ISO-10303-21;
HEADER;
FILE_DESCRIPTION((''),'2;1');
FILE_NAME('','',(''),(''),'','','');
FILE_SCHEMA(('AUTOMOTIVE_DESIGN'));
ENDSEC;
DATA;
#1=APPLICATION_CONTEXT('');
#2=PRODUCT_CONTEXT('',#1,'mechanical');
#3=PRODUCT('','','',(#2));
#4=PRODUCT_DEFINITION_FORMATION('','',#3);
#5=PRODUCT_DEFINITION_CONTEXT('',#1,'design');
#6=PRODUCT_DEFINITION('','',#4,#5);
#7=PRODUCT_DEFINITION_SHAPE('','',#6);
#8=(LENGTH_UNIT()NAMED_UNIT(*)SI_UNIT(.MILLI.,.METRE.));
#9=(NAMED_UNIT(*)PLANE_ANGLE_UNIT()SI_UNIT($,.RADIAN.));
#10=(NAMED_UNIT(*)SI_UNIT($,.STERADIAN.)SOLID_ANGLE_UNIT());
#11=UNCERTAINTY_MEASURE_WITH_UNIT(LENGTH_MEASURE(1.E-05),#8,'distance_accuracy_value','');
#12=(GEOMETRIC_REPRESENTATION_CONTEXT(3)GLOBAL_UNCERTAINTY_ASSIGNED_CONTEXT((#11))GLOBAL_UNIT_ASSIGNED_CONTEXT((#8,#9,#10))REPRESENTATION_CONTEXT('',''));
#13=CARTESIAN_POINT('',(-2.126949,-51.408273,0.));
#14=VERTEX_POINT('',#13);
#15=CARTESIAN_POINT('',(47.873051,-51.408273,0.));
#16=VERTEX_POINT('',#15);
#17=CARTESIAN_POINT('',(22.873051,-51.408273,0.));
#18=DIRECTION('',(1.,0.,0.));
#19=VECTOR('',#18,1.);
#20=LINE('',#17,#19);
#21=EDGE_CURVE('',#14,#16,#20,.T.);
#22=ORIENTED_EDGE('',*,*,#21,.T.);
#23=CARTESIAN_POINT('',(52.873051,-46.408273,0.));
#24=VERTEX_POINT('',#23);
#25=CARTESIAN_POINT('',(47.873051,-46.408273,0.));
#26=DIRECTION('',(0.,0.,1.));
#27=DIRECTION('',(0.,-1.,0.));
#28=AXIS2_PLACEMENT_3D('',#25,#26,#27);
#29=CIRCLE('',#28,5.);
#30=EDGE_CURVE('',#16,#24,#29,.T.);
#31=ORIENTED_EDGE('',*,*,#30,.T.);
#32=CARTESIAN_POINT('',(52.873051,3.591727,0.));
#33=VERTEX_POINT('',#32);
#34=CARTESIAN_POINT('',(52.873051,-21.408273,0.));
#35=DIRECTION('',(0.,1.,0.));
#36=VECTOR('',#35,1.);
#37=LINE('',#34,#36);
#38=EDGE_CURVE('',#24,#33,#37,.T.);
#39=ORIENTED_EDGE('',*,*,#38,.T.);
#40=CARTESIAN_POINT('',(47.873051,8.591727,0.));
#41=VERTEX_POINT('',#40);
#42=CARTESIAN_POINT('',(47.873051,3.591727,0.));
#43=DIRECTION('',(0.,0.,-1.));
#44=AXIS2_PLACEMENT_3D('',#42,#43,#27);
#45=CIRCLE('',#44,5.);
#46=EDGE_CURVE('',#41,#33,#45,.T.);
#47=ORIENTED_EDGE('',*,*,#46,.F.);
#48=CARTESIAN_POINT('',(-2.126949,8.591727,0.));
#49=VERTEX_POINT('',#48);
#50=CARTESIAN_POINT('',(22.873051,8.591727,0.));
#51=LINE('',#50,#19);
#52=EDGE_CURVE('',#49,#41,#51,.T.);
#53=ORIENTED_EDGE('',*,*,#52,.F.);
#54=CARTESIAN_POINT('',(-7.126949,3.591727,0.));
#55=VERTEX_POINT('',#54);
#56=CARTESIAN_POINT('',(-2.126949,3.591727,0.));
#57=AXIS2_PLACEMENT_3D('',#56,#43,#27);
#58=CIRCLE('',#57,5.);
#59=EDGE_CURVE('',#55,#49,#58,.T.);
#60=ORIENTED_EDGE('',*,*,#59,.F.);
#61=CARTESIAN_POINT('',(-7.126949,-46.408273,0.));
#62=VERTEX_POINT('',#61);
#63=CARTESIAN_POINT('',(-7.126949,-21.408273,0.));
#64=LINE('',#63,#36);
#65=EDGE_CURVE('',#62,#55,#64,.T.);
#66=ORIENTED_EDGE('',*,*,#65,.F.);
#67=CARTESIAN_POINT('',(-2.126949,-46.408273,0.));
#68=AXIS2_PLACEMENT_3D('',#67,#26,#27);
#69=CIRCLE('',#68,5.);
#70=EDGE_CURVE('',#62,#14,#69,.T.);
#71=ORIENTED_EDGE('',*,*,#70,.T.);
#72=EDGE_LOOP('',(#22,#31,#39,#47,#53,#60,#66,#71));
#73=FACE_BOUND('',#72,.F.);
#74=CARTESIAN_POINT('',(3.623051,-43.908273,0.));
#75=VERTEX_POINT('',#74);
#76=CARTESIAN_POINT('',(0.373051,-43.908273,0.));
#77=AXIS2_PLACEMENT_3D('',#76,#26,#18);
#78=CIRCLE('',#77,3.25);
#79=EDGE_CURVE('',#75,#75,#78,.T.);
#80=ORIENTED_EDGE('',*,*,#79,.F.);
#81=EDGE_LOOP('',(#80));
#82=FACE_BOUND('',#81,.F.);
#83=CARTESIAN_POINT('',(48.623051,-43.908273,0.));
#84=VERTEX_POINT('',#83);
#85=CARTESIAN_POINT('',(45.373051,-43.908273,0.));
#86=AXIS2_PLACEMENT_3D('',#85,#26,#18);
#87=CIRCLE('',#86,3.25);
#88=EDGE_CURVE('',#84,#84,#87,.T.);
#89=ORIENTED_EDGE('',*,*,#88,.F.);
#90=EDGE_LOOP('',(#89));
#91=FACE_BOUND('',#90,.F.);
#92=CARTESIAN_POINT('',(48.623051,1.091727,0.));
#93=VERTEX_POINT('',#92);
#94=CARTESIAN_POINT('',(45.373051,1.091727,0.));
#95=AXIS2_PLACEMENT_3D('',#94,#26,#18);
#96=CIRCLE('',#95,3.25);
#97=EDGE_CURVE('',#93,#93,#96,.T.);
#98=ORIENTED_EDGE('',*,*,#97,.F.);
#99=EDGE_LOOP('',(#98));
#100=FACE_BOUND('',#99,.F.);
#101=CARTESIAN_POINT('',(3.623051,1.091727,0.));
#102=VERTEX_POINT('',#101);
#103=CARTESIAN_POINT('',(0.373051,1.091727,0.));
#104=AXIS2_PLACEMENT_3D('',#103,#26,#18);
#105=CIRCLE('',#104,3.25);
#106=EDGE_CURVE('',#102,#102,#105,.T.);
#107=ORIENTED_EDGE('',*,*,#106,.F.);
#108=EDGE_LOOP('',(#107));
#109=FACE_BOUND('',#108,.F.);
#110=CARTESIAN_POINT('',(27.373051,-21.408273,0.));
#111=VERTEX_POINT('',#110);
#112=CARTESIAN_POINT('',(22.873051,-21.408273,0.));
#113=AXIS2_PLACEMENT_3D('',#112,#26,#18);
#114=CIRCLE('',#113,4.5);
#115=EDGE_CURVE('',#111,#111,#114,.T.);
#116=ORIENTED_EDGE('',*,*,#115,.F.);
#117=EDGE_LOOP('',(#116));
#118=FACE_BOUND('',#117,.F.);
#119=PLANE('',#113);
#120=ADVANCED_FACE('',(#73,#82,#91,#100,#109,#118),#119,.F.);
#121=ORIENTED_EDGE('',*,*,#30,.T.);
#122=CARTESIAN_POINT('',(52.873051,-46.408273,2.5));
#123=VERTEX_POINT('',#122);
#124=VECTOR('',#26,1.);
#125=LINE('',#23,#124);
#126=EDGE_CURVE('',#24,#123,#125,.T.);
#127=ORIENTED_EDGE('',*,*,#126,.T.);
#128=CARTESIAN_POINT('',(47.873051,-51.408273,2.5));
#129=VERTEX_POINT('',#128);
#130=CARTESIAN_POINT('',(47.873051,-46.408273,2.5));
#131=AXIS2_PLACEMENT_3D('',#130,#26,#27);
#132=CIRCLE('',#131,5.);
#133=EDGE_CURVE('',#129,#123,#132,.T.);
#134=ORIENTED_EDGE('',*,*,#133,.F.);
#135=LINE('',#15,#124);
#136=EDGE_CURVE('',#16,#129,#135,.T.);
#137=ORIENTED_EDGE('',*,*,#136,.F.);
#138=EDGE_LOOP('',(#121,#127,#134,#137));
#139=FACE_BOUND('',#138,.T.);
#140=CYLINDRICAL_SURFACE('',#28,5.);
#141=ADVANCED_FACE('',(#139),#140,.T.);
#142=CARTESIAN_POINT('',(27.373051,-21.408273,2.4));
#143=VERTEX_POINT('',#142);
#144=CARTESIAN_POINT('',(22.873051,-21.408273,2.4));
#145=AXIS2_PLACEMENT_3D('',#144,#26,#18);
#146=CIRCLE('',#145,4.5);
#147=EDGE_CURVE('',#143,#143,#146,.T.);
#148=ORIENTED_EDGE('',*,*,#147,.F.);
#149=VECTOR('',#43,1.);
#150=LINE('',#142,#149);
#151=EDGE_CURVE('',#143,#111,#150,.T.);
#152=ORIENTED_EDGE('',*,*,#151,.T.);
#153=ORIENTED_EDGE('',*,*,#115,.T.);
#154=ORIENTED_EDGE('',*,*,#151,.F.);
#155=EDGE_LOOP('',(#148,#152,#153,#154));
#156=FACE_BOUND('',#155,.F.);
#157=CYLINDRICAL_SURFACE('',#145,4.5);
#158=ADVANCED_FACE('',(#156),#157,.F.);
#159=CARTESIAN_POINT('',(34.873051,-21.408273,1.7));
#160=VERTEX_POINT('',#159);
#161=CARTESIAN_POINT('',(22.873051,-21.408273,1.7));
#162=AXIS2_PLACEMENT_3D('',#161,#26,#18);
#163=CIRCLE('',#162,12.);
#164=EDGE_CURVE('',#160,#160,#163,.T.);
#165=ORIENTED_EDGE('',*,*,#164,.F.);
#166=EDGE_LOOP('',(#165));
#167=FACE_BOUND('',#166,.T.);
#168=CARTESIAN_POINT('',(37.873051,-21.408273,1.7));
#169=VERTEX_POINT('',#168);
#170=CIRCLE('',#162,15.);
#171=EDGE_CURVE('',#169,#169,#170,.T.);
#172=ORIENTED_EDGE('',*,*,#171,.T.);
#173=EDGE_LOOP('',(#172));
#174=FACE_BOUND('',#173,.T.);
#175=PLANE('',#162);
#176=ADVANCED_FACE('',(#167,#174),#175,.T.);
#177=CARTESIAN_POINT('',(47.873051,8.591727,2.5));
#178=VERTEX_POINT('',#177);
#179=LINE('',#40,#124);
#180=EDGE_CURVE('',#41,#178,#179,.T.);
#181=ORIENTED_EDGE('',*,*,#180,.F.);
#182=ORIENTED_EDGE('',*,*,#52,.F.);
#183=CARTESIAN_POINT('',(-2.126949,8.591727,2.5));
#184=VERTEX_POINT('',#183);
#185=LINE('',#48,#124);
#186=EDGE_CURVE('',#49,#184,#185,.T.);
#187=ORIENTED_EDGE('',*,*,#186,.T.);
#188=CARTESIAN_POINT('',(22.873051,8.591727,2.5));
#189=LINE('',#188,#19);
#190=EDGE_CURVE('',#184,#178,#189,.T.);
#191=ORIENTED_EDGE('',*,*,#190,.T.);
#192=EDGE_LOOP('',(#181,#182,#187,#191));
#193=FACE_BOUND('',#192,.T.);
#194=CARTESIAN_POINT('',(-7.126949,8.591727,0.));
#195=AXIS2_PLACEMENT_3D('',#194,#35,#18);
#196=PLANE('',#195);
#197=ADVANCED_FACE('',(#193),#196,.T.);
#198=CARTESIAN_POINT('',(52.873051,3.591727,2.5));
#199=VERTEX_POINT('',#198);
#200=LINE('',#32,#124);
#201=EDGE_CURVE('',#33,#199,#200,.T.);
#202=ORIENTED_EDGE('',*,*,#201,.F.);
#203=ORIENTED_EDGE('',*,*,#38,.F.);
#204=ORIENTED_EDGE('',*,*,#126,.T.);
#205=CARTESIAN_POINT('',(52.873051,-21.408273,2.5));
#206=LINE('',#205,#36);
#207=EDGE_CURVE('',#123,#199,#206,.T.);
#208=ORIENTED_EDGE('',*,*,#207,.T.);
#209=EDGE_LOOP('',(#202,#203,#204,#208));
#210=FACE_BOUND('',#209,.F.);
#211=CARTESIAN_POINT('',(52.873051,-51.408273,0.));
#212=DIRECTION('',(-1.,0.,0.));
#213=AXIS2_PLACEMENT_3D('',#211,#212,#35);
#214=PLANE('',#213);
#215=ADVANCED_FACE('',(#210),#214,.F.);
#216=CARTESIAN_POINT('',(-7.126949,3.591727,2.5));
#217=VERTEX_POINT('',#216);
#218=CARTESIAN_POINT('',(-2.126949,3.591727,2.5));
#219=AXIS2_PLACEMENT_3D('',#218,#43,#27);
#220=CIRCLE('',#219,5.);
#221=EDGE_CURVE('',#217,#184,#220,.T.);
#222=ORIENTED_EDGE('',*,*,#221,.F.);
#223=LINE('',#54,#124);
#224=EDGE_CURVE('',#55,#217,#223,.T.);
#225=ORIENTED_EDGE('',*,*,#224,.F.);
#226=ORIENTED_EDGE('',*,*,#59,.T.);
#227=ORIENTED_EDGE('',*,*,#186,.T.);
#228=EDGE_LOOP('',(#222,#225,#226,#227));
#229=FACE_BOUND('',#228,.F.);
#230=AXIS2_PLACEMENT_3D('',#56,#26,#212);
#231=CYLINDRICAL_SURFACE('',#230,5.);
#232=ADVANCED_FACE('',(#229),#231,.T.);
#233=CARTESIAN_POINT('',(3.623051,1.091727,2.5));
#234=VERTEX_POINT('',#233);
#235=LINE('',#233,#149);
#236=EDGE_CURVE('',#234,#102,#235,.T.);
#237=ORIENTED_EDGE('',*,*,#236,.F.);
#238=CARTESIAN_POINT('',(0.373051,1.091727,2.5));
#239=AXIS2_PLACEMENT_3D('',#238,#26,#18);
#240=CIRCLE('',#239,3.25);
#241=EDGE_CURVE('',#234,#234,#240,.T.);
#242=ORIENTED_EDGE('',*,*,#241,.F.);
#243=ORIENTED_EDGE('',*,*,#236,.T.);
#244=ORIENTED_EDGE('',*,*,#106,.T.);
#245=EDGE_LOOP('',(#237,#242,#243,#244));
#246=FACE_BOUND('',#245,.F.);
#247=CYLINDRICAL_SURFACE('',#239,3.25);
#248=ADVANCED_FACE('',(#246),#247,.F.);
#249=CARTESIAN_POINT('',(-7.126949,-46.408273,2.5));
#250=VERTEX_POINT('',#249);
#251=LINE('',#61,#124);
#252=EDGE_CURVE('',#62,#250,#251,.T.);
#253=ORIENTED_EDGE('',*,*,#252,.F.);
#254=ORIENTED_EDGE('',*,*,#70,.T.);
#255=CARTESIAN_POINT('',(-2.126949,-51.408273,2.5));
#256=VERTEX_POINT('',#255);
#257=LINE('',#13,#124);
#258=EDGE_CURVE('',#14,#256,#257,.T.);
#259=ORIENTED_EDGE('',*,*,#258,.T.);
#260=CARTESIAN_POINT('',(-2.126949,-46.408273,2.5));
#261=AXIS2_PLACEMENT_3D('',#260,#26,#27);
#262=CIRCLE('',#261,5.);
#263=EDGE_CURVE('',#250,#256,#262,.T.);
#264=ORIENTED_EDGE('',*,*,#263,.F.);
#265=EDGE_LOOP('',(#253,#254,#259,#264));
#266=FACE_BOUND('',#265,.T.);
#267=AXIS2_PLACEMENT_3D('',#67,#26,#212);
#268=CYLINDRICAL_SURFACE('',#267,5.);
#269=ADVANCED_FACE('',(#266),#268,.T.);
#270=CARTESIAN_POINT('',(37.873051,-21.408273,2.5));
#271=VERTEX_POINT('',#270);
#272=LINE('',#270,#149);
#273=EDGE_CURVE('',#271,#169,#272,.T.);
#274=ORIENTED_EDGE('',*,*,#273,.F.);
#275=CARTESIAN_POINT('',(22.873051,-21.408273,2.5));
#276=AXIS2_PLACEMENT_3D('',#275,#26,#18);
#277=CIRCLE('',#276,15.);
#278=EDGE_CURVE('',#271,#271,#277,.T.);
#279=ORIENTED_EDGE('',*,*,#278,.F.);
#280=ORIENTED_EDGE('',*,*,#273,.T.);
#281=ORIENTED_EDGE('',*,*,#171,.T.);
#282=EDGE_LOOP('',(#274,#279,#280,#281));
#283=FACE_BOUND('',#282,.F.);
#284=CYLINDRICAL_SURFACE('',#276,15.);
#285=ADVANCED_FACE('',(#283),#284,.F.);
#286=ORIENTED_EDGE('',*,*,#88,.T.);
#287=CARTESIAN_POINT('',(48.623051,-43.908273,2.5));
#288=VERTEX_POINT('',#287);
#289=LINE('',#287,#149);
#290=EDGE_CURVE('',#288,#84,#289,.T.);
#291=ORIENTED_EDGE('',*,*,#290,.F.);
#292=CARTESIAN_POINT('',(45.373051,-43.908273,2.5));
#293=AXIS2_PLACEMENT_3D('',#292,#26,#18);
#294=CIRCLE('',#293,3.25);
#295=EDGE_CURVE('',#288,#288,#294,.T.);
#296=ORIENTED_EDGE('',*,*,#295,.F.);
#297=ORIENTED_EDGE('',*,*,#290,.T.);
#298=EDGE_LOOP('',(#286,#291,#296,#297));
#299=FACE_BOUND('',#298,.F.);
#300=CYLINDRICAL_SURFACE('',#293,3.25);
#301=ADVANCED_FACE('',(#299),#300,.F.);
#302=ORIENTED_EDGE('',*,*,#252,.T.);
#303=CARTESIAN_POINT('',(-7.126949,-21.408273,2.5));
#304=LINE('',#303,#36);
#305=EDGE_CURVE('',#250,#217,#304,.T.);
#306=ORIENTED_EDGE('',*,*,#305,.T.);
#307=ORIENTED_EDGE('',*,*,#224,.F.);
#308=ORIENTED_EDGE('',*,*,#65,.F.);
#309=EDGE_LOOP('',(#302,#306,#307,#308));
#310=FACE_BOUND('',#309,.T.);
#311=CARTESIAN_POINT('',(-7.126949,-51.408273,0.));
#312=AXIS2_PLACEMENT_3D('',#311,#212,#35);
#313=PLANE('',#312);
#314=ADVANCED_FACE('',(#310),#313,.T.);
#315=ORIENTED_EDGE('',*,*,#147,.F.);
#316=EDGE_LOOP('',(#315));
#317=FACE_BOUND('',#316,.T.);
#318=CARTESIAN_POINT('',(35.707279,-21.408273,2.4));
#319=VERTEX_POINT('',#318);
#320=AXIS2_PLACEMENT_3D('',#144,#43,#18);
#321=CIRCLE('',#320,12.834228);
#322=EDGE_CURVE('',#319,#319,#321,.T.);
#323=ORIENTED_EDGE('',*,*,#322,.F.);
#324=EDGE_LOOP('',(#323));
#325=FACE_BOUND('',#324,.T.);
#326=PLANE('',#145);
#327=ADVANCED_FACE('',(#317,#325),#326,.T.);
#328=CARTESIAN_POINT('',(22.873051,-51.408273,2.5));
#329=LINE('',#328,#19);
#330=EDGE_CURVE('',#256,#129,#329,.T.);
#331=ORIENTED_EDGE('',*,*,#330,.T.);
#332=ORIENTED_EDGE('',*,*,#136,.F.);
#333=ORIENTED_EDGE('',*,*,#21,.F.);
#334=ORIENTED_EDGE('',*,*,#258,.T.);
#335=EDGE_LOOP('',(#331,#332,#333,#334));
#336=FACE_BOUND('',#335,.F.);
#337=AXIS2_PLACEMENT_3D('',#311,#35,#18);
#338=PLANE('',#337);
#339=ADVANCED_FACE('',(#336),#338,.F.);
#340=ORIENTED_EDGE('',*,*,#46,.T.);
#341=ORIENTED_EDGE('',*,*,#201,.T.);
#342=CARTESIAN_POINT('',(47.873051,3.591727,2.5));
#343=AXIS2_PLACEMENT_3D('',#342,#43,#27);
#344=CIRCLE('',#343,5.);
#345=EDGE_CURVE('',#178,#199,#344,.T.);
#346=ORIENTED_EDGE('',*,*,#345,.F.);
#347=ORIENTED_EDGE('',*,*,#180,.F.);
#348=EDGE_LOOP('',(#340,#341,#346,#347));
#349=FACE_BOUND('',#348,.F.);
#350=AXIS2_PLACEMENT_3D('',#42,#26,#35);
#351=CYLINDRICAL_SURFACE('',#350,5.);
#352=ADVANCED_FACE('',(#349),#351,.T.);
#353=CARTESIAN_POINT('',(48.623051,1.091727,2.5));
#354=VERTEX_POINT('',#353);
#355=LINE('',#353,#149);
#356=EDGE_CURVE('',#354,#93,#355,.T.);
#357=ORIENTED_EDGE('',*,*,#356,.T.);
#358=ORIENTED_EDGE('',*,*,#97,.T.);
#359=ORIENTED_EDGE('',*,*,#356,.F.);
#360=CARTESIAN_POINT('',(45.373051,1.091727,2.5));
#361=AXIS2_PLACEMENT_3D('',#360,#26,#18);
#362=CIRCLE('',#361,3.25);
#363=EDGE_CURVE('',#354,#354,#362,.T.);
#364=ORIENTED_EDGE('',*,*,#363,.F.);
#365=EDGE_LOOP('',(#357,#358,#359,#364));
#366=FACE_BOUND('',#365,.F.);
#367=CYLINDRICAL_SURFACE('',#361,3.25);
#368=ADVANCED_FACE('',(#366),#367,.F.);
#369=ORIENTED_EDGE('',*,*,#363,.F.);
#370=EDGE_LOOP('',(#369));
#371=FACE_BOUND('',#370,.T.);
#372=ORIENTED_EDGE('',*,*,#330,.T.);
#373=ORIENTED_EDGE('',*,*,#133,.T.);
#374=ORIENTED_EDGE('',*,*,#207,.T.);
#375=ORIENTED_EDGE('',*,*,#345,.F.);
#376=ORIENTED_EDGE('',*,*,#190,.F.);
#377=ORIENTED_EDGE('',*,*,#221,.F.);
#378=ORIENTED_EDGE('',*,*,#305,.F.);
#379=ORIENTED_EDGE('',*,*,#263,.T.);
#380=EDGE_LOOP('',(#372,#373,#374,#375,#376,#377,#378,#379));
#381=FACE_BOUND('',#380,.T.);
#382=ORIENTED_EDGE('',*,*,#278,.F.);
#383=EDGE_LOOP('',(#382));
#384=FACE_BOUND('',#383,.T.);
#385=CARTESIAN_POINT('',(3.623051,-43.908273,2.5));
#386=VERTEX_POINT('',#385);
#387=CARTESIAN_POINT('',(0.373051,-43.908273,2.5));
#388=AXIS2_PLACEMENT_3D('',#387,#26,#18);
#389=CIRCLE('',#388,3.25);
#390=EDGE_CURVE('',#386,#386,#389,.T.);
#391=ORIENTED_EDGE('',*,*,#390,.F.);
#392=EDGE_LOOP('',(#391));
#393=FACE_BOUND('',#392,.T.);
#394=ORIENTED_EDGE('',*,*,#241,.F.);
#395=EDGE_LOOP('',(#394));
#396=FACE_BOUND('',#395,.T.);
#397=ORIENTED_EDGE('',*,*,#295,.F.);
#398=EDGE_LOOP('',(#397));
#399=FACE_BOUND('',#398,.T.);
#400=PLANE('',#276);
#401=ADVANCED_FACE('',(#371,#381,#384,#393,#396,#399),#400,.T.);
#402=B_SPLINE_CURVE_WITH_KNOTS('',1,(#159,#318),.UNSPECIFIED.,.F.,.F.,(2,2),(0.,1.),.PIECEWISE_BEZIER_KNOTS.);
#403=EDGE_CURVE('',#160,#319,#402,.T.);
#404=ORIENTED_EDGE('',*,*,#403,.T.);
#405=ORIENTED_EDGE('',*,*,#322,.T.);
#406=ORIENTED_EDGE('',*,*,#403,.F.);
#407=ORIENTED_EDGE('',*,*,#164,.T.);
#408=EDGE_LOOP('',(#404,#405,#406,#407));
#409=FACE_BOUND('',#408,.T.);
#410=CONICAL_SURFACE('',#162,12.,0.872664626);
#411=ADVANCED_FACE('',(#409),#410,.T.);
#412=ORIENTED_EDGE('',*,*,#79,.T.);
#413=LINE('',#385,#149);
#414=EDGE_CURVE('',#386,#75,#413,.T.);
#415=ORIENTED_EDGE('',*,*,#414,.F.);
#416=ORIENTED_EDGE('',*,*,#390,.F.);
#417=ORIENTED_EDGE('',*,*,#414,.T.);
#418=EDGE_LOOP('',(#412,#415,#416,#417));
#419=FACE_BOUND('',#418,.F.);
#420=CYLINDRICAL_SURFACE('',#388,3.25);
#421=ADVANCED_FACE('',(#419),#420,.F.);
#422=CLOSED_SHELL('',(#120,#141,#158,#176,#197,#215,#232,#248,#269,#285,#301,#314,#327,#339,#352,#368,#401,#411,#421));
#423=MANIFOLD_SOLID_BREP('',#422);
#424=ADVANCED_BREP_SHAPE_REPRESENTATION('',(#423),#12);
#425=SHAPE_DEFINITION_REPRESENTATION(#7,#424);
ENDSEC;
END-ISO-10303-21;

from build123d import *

# Parameters (mm, degrees)
F0_W     = 60
F0_H     = 60
F1_DEPTH = 2.5
F2_R     = 3.25
F3_DEPTH = 25
F4_R     = 15
F5_DEPTH = 0.8
F6_R     = 12
F7_DEPTH = 0.7
F7_TAPER = -50
F8_R     = 4.5
F9_DEPTH = 25
F10_R    = 5


with BuildPart() as f1:
    # F0 (on Top) → F1 (new body)
    with BuildSketch(Plane.XY):
        with Locations((22.8730514646, -21.4082733154)):
            Rectangle(F0_W, F0_H)
    extrude(amount=F1_DEPTH)

    # F2 (on face) → F3 (cut)
    with BuildSketch(Plane.XY.offset(2.5)):
        with Locations((0.3730514646, 1.0917266846)):
            Circle(F2_R)
        with Locations((45.3730514646, 1.0917266846)):
            Circle(F2_R)
        with Locations((45.3730514646, -43.9082733154)):
            Circle(F2_R)
        with Locations((0.3730514646, -43.9082733154)):
            Circle(F2_R)
    extrude(amount=-F3_DEPTH, mode=Mode.SUBTRACT)

    # F4 (on face) → F5 (cut)
    with BuildSketch(Plane.XY.offset(2.5)):
        with Locations((22.8730514646, -21.4082733154)):
            Circle(F4_R)
    extrude(amount=-F5_DEPTH, mode=Mode.SUBTRACT)

    # F6 (on face) → F7 (join)
    with BuildSketch(Plane.XY.offset(1.7)):
        with Locations((22.8730514646, -21.4082733154)):
            Circle(F6_R)
    extrude(amount=F7_DEPTH, taper=F7_TAPER)

    # F8 (on face) → F9 (cut)
    with BuildSketch(Plane.XY.offset(2.4)):
        with Locations((22.8730514646, -21.4082733154)):
            Circle(F8_R)
    extrude(amount=-F9_DEPTH, mode=Mode.SUBTRACT)

    # F10
    f10_edges = [f1.edges().sort_by_distance(p)[0] for p in [
        (-7.126949, -51.408273, 1.25),
        (52.873051, -51.408273, 1.25),
        (52.873051, 8.591727, 1.25),
        (-7.126949, 8.591727, 1.25),
    ]]
    fillet(f10_edges, radius=F10_R)


solid = f1.part
